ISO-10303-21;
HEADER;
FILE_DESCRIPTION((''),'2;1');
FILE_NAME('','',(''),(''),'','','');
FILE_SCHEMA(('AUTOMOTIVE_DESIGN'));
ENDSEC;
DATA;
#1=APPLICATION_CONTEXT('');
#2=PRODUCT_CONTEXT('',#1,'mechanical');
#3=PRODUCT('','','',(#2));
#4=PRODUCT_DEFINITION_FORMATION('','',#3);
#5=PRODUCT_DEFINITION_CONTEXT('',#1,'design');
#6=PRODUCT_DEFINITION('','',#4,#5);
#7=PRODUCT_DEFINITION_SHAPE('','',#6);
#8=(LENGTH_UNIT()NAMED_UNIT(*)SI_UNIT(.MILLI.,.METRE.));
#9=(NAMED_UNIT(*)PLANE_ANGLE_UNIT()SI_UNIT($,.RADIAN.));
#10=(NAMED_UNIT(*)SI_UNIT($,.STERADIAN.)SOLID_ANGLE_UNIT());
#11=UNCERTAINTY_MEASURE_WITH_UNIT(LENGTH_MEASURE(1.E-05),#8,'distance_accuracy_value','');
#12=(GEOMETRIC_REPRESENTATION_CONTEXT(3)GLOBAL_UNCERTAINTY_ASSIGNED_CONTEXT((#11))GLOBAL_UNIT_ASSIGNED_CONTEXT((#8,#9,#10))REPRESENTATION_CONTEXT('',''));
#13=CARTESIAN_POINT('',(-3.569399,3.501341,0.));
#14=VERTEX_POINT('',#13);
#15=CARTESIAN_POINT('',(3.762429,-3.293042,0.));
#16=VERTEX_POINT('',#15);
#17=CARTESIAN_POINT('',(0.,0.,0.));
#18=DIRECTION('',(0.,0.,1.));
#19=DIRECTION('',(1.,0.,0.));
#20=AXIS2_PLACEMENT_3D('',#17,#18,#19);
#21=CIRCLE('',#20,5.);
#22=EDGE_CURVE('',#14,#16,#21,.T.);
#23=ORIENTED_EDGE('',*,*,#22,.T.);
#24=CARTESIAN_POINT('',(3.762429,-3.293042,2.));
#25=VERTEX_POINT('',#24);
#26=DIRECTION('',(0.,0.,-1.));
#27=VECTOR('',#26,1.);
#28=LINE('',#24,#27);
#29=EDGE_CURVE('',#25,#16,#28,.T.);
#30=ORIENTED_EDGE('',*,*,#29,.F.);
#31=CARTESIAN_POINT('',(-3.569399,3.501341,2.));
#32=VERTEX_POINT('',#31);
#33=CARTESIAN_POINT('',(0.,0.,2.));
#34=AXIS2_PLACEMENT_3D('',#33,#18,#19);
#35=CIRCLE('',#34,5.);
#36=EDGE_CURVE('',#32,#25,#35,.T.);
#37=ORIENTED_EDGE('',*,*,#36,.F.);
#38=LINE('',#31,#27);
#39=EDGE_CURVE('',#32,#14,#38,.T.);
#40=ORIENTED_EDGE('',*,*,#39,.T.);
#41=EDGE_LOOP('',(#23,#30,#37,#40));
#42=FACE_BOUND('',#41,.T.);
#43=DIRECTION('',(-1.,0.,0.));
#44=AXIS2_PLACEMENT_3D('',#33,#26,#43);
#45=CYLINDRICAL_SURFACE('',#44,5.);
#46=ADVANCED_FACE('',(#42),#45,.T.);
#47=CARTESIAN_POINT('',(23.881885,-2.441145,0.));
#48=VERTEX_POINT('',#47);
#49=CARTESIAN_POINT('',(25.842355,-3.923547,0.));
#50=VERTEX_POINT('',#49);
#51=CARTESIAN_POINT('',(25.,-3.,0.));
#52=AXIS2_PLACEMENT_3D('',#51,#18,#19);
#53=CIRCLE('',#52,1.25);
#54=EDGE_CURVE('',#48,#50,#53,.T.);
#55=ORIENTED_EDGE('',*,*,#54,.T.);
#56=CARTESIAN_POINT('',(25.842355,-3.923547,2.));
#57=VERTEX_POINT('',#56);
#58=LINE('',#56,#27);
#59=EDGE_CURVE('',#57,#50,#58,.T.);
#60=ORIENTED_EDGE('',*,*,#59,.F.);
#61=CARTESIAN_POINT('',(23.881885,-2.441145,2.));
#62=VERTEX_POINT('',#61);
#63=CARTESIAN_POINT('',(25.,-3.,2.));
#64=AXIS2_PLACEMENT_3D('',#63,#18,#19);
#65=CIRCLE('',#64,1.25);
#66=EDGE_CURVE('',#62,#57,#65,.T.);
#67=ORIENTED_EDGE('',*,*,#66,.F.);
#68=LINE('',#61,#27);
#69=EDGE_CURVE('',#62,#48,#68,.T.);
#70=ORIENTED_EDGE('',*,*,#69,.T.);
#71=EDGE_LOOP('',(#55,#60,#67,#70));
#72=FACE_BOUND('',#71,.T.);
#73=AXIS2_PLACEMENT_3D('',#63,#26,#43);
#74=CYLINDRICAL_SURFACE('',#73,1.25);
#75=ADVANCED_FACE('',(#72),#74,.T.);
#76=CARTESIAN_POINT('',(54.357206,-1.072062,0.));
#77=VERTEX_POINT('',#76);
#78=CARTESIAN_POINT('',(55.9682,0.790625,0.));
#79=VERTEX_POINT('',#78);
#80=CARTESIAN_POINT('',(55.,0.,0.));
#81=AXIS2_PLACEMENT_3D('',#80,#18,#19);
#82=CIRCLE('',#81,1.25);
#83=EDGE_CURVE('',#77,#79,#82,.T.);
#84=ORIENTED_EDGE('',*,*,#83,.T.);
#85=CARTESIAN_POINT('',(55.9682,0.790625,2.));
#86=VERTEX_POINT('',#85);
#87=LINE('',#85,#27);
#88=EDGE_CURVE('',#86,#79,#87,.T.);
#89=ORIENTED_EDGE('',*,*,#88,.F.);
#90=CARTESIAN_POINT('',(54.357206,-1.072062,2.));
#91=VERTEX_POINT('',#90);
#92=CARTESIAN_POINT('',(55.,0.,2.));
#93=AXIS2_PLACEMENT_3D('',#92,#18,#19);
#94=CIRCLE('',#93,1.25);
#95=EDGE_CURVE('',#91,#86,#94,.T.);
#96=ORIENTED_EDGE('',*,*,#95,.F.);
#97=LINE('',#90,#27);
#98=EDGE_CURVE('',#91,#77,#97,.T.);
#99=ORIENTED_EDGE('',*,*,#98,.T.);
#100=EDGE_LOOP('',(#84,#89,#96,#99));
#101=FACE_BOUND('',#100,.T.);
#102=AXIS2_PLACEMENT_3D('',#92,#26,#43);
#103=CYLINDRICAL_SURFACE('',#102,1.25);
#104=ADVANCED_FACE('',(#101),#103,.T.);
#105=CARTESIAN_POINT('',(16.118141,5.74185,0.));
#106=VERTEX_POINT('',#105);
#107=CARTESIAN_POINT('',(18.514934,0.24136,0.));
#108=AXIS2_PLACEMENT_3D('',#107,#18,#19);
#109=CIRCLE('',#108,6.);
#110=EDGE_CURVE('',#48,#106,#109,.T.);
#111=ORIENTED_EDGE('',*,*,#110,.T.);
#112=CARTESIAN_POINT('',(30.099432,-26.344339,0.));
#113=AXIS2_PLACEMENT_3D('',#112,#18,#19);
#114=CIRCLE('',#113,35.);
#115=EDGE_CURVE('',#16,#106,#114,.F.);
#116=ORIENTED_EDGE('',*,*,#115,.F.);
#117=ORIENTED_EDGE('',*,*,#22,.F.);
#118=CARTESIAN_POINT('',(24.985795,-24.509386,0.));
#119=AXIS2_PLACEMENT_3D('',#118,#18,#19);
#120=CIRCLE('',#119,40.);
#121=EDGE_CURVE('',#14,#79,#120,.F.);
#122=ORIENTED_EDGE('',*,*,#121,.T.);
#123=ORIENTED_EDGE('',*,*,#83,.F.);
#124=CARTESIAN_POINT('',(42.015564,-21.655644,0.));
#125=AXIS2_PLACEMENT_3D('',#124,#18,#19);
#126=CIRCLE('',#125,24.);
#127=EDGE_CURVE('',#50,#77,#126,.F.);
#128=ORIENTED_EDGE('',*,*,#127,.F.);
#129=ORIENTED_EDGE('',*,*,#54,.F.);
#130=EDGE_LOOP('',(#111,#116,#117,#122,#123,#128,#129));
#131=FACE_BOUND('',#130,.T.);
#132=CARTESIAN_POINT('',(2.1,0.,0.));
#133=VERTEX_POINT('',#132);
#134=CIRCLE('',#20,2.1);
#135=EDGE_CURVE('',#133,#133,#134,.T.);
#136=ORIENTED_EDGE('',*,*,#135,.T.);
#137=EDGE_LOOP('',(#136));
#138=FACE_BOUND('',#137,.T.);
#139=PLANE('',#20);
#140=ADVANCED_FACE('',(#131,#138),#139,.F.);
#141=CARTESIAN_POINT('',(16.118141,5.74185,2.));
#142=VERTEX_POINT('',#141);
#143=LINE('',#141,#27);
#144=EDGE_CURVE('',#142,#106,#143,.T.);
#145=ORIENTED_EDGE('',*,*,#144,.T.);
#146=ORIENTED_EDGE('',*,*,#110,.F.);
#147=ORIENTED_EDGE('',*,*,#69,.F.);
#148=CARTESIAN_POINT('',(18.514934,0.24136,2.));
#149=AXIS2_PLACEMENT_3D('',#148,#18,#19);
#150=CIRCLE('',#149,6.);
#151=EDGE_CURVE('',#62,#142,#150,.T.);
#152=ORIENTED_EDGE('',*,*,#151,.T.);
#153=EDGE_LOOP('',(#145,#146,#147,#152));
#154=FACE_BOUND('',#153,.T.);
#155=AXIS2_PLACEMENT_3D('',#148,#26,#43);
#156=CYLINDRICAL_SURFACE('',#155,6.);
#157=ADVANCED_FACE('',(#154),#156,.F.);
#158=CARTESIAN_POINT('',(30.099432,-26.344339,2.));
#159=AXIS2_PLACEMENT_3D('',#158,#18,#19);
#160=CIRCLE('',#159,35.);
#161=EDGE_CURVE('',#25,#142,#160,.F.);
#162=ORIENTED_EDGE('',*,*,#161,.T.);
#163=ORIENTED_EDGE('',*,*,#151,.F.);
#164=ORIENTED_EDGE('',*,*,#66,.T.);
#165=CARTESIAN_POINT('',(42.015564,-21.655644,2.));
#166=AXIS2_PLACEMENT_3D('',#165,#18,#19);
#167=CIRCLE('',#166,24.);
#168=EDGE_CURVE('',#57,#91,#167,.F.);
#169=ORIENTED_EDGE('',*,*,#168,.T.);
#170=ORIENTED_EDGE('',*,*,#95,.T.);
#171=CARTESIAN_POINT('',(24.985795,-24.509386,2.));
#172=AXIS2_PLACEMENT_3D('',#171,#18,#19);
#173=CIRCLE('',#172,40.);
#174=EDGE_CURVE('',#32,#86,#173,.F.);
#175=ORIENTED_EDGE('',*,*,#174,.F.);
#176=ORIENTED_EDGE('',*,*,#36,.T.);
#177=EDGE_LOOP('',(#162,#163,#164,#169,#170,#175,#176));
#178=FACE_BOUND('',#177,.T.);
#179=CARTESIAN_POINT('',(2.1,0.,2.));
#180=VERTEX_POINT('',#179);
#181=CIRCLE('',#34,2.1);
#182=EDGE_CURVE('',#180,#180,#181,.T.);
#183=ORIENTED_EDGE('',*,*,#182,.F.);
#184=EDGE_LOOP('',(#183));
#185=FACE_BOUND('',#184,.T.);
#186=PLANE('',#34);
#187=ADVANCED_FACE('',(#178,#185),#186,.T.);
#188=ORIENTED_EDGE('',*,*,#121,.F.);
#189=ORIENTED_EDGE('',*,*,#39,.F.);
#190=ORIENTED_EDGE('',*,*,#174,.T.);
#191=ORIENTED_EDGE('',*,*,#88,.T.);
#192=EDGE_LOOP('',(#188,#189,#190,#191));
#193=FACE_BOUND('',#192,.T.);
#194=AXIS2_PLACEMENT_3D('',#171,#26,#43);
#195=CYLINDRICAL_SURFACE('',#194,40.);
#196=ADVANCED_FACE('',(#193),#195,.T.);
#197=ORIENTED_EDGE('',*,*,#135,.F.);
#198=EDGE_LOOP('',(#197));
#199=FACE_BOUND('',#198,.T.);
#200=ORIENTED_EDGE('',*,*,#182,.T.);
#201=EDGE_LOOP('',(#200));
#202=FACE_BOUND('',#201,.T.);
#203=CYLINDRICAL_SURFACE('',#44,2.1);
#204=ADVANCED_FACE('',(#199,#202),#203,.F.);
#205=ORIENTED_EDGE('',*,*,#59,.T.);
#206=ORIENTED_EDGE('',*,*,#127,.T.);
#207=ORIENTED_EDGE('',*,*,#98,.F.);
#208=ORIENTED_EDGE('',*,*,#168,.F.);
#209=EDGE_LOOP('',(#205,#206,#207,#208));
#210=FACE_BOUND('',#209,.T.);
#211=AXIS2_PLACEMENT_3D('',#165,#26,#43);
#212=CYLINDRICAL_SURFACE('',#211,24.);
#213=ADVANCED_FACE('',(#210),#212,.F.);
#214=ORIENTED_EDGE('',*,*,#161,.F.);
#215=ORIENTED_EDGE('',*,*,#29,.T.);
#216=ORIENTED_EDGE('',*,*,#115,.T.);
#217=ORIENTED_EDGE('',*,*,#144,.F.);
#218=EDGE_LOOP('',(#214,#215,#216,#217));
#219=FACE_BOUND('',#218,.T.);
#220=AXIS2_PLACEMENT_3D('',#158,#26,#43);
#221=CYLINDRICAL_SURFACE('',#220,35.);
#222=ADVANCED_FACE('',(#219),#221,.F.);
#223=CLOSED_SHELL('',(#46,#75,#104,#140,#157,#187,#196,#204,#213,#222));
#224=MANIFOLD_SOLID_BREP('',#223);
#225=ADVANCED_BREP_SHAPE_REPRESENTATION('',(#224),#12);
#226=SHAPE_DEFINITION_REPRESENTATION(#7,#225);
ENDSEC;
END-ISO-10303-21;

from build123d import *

# Parameters (mm, degrees)
SKETCH1_R           = 2.1
BOSS_EXTRUDE1_DEPTH = 2


with BuildPart() as part:
    # Sketch1 → Boss-Extrude1 (new body)
    with BuildSketch(Plane.XY):
        with BuildLine():
            ThreePointArc((23.881885124, -2.44114481), (24.246083691, -3.99705075), (25.842354675, -3.923546751))
            ThreePointArc((25.842354675, -3.923546751), (39.627475181, 2.225248194), (54.35720616, -1.072061603))
            ThreePointArc((54.35720616, -1.072061603), (55.945448574, -0.81769615), (55.968200147, 0.79062537))
            ThreePointArc((55.968200147, 0.79062537), (26.805089731, 15.449219208), (-3.569399351, 3.501340925))
            ThreePointArc((-3.569399351, 3.501340925), (-3.398562383, -3.667393315), (3.762428977, -3.293042391))
            ThreePointArc((3.762428977, -3.293042391), (9.440329247, 1.908120602), (16.118141008, 5.741849601))
            ThreePointArc((16.118141008, 5.741849601), (22.86761221, 4.371031998), (23.881885124, -2.44114481))
        make_face()
        Circle(SKETCH1_R, mode=Mode.SUBTRACT)
    extrude(amount=BOSS_EXTRUDE1_DEPTH)


solid = part.part
